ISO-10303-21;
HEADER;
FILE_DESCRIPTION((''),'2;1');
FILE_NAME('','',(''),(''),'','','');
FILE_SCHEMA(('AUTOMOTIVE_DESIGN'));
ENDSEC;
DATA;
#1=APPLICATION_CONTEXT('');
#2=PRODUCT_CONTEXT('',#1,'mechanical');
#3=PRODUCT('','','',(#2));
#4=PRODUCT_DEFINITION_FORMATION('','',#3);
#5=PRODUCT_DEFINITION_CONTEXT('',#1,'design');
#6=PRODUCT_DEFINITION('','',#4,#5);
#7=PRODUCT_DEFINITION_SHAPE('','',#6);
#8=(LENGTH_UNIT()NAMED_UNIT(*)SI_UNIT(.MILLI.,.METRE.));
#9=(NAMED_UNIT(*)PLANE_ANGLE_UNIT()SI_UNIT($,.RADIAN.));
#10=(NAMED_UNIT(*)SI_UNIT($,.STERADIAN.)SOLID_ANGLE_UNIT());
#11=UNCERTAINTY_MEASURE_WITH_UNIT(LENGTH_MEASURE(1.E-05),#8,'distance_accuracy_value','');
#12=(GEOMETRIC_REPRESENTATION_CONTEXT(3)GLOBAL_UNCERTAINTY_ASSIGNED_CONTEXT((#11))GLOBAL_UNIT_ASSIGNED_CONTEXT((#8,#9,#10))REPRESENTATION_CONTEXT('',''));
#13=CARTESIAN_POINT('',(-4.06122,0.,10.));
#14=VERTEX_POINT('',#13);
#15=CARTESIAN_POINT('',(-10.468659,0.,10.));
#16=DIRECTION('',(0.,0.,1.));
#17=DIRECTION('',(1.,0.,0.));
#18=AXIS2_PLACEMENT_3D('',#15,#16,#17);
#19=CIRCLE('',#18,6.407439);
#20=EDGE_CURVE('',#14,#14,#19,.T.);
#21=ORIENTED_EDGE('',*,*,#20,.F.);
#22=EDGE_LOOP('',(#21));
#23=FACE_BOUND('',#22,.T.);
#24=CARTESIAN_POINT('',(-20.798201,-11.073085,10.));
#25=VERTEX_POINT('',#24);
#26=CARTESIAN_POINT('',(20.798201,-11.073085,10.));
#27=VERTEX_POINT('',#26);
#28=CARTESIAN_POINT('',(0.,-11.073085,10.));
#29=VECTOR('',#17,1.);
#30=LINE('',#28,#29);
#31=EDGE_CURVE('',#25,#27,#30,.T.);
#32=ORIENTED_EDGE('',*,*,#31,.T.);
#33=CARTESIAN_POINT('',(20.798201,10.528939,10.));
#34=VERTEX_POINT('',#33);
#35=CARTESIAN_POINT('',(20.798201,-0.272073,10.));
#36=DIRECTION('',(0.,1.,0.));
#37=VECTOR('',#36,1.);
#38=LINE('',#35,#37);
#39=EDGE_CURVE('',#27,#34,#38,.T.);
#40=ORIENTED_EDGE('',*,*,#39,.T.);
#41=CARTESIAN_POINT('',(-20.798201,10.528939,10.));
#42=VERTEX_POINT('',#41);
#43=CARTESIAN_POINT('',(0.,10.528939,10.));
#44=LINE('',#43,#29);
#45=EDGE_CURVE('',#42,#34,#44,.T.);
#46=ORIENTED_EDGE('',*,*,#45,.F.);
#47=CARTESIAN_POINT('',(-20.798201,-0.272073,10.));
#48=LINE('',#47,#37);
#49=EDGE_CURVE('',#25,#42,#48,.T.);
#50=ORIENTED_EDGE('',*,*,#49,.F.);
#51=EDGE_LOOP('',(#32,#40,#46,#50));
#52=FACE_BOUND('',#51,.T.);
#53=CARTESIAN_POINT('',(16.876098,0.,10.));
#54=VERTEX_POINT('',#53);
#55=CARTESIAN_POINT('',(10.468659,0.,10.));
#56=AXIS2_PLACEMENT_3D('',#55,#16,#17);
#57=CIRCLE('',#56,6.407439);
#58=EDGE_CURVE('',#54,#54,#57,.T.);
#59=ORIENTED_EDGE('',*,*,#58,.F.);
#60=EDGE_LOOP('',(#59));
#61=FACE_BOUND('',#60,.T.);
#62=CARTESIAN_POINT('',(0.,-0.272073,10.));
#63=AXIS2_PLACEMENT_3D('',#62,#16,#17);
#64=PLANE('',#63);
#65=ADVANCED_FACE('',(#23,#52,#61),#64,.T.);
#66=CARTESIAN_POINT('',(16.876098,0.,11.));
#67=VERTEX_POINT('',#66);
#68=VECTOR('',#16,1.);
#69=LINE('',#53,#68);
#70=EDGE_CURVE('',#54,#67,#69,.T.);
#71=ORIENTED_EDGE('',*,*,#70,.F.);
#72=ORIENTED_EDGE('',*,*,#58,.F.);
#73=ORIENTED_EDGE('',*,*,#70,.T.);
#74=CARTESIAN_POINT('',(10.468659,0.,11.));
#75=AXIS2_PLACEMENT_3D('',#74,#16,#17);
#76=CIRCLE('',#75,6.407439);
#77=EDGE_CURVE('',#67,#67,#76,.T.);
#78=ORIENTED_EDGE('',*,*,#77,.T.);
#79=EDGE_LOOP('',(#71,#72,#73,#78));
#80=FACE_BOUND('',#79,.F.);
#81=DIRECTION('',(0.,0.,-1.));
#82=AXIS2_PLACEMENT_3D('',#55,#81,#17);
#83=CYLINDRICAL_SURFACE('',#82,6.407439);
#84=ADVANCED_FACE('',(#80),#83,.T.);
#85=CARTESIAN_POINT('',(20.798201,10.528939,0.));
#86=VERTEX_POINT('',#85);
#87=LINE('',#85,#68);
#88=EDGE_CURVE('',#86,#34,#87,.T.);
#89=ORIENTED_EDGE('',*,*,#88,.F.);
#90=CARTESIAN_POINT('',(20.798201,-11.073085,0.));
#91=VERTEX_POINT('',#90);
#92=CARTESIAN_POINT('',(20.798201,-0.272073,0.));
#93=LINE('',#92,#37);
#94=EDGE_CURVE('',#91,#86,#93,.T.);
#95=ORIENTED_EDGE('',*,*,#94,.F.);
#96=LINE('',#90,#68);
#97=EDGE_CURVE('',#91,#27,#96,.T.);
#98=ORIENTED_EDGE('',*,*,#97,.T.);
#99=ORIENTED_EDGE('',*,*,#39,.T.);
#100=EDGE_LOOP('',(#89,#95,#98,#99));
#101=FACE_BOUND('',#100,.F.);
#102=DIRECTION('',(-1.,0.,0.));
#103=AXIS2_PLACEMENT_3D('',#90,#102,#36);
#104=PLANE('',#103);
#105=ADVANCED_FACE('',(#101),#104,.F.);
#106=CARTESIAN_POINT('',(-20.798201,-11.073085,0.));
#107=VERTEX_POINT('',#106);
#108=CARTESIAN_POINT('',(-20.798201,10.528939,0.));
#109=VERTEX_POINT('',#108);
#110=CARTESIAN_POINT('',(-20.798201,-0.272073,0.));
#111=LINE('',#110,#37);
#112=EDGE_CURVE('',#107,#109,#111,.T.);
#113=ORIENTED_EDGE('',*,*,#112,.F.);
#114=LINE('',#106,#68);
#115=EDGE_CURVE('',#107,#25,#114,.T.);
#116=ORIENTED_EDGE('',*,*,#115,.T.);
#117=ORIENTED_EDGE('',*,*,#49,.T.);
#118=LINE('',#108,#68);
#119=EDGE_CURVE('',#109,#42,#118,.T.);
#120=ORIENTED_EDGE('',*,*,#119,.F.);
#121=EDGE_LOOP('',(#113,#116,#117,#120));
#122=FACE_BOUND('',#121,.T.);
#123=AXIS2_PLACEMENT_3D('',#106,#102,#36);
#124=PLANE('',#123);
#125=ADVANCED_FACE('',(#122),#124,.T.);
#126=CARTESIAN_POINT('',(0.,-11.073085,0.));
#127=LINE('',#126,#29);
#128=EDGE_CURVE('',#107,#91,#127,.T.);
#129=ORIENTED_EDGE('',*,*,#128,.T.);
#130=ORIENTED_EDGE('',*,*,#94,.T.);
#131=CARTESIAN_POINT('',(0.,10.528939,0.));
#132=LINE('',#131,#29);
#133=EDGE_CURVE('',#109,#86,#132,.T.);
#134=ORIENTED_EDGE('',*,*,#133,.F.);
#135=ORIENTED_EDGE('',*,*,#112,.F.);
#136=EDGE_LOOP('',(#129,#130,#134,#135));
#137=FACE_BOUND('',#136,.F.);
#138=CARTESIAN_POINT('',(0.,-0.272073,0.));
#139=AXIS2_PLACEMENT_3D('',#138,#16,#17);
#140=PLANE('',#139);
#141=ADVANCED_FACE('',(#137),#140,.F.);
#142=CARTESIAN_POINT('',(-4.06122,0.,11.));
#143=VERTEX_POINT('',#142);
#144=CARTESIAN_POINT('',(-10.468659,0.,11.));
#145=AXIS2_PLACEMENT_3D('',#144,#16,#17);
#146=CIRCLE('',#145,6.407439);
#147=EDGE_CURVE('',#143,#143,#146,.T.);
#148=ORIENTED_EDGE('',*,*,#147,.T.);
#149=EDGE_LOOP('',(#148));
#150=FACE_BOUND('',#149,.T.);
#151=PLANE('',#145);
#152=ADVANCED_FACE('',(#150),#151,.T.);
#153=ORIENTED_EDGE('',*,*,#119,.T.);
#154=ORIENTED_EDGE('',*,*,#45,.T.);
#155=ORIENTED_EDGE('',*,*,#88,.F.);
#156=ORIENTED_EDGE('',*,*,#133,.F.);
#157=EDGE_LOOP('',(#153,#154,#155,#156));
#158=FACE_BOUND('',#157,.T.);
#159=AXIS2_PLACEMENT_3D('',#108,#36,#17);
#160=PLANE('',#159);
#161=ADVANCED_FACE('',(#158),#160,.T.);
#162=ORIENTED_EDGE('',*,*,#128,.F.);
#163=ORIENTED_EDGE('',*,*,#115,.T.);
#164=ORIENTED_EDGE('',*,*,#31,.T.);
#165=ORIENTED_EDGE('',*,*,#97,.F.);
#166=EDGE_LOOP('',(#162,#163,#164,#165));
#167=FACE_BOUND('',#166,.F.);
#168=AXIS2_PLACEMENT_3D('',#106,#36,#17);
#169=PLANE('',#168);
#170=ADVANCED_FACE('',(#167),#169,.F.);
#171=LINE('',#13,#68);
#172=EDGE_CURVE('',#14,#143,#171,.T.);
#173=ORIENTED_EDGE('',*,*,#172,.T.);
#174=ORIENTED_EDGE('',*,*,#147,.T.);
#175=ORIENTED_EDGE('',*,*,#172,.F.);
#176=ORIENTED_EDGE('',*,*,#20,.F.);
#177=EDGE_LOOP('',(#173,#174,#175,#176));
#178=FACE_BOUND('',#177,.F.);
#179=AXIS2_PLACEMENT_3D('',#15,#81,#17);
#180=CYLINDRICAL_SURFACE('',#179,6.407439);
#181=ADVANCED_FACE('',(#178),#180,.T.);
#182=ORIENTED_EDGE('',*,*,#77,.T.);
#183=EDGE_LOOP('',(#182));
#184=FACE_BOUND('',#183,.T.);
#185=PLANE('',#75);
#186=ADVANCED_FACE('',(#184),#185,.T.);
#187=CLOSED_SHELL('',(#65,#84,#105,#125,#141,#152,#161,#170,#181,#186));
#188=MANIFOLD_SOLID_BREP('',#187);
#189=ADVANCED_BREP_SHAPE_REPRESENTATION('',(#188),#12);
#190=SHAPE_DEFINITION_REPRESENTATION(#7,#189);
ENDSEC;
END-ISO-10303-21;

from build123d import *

# Parameters (mm, degrees)
EXPORT_W     = 41.596402
EXPORT_H     = 21.602024
PAD_DEPTH    = 10
EXPORT001_R  = 6.407439
PAD001_DEPTH = 1


with BuildPart() as part:
    # Export → Pad (new body)
    with BuildSketch(Plane.XY):
        with Locations((0, -0.272073)):
            Rectangle(EXPORT_W, EXPORT_H)
    extrude(amount=PAD_DEPTH)

    # Export001 (on Face6 of Pad) → Pad001 (join)
    with BuildSketch(Plane.XY.offset(10)):
        with Locations((-10.468659, 0)):
            Circle(EXPORT001_R)
        with Locations((10.468659, 0)):
            Circle(EXPORT001_R)
    extrude(amount=PAD001_DEPTH)


solid = part.part
